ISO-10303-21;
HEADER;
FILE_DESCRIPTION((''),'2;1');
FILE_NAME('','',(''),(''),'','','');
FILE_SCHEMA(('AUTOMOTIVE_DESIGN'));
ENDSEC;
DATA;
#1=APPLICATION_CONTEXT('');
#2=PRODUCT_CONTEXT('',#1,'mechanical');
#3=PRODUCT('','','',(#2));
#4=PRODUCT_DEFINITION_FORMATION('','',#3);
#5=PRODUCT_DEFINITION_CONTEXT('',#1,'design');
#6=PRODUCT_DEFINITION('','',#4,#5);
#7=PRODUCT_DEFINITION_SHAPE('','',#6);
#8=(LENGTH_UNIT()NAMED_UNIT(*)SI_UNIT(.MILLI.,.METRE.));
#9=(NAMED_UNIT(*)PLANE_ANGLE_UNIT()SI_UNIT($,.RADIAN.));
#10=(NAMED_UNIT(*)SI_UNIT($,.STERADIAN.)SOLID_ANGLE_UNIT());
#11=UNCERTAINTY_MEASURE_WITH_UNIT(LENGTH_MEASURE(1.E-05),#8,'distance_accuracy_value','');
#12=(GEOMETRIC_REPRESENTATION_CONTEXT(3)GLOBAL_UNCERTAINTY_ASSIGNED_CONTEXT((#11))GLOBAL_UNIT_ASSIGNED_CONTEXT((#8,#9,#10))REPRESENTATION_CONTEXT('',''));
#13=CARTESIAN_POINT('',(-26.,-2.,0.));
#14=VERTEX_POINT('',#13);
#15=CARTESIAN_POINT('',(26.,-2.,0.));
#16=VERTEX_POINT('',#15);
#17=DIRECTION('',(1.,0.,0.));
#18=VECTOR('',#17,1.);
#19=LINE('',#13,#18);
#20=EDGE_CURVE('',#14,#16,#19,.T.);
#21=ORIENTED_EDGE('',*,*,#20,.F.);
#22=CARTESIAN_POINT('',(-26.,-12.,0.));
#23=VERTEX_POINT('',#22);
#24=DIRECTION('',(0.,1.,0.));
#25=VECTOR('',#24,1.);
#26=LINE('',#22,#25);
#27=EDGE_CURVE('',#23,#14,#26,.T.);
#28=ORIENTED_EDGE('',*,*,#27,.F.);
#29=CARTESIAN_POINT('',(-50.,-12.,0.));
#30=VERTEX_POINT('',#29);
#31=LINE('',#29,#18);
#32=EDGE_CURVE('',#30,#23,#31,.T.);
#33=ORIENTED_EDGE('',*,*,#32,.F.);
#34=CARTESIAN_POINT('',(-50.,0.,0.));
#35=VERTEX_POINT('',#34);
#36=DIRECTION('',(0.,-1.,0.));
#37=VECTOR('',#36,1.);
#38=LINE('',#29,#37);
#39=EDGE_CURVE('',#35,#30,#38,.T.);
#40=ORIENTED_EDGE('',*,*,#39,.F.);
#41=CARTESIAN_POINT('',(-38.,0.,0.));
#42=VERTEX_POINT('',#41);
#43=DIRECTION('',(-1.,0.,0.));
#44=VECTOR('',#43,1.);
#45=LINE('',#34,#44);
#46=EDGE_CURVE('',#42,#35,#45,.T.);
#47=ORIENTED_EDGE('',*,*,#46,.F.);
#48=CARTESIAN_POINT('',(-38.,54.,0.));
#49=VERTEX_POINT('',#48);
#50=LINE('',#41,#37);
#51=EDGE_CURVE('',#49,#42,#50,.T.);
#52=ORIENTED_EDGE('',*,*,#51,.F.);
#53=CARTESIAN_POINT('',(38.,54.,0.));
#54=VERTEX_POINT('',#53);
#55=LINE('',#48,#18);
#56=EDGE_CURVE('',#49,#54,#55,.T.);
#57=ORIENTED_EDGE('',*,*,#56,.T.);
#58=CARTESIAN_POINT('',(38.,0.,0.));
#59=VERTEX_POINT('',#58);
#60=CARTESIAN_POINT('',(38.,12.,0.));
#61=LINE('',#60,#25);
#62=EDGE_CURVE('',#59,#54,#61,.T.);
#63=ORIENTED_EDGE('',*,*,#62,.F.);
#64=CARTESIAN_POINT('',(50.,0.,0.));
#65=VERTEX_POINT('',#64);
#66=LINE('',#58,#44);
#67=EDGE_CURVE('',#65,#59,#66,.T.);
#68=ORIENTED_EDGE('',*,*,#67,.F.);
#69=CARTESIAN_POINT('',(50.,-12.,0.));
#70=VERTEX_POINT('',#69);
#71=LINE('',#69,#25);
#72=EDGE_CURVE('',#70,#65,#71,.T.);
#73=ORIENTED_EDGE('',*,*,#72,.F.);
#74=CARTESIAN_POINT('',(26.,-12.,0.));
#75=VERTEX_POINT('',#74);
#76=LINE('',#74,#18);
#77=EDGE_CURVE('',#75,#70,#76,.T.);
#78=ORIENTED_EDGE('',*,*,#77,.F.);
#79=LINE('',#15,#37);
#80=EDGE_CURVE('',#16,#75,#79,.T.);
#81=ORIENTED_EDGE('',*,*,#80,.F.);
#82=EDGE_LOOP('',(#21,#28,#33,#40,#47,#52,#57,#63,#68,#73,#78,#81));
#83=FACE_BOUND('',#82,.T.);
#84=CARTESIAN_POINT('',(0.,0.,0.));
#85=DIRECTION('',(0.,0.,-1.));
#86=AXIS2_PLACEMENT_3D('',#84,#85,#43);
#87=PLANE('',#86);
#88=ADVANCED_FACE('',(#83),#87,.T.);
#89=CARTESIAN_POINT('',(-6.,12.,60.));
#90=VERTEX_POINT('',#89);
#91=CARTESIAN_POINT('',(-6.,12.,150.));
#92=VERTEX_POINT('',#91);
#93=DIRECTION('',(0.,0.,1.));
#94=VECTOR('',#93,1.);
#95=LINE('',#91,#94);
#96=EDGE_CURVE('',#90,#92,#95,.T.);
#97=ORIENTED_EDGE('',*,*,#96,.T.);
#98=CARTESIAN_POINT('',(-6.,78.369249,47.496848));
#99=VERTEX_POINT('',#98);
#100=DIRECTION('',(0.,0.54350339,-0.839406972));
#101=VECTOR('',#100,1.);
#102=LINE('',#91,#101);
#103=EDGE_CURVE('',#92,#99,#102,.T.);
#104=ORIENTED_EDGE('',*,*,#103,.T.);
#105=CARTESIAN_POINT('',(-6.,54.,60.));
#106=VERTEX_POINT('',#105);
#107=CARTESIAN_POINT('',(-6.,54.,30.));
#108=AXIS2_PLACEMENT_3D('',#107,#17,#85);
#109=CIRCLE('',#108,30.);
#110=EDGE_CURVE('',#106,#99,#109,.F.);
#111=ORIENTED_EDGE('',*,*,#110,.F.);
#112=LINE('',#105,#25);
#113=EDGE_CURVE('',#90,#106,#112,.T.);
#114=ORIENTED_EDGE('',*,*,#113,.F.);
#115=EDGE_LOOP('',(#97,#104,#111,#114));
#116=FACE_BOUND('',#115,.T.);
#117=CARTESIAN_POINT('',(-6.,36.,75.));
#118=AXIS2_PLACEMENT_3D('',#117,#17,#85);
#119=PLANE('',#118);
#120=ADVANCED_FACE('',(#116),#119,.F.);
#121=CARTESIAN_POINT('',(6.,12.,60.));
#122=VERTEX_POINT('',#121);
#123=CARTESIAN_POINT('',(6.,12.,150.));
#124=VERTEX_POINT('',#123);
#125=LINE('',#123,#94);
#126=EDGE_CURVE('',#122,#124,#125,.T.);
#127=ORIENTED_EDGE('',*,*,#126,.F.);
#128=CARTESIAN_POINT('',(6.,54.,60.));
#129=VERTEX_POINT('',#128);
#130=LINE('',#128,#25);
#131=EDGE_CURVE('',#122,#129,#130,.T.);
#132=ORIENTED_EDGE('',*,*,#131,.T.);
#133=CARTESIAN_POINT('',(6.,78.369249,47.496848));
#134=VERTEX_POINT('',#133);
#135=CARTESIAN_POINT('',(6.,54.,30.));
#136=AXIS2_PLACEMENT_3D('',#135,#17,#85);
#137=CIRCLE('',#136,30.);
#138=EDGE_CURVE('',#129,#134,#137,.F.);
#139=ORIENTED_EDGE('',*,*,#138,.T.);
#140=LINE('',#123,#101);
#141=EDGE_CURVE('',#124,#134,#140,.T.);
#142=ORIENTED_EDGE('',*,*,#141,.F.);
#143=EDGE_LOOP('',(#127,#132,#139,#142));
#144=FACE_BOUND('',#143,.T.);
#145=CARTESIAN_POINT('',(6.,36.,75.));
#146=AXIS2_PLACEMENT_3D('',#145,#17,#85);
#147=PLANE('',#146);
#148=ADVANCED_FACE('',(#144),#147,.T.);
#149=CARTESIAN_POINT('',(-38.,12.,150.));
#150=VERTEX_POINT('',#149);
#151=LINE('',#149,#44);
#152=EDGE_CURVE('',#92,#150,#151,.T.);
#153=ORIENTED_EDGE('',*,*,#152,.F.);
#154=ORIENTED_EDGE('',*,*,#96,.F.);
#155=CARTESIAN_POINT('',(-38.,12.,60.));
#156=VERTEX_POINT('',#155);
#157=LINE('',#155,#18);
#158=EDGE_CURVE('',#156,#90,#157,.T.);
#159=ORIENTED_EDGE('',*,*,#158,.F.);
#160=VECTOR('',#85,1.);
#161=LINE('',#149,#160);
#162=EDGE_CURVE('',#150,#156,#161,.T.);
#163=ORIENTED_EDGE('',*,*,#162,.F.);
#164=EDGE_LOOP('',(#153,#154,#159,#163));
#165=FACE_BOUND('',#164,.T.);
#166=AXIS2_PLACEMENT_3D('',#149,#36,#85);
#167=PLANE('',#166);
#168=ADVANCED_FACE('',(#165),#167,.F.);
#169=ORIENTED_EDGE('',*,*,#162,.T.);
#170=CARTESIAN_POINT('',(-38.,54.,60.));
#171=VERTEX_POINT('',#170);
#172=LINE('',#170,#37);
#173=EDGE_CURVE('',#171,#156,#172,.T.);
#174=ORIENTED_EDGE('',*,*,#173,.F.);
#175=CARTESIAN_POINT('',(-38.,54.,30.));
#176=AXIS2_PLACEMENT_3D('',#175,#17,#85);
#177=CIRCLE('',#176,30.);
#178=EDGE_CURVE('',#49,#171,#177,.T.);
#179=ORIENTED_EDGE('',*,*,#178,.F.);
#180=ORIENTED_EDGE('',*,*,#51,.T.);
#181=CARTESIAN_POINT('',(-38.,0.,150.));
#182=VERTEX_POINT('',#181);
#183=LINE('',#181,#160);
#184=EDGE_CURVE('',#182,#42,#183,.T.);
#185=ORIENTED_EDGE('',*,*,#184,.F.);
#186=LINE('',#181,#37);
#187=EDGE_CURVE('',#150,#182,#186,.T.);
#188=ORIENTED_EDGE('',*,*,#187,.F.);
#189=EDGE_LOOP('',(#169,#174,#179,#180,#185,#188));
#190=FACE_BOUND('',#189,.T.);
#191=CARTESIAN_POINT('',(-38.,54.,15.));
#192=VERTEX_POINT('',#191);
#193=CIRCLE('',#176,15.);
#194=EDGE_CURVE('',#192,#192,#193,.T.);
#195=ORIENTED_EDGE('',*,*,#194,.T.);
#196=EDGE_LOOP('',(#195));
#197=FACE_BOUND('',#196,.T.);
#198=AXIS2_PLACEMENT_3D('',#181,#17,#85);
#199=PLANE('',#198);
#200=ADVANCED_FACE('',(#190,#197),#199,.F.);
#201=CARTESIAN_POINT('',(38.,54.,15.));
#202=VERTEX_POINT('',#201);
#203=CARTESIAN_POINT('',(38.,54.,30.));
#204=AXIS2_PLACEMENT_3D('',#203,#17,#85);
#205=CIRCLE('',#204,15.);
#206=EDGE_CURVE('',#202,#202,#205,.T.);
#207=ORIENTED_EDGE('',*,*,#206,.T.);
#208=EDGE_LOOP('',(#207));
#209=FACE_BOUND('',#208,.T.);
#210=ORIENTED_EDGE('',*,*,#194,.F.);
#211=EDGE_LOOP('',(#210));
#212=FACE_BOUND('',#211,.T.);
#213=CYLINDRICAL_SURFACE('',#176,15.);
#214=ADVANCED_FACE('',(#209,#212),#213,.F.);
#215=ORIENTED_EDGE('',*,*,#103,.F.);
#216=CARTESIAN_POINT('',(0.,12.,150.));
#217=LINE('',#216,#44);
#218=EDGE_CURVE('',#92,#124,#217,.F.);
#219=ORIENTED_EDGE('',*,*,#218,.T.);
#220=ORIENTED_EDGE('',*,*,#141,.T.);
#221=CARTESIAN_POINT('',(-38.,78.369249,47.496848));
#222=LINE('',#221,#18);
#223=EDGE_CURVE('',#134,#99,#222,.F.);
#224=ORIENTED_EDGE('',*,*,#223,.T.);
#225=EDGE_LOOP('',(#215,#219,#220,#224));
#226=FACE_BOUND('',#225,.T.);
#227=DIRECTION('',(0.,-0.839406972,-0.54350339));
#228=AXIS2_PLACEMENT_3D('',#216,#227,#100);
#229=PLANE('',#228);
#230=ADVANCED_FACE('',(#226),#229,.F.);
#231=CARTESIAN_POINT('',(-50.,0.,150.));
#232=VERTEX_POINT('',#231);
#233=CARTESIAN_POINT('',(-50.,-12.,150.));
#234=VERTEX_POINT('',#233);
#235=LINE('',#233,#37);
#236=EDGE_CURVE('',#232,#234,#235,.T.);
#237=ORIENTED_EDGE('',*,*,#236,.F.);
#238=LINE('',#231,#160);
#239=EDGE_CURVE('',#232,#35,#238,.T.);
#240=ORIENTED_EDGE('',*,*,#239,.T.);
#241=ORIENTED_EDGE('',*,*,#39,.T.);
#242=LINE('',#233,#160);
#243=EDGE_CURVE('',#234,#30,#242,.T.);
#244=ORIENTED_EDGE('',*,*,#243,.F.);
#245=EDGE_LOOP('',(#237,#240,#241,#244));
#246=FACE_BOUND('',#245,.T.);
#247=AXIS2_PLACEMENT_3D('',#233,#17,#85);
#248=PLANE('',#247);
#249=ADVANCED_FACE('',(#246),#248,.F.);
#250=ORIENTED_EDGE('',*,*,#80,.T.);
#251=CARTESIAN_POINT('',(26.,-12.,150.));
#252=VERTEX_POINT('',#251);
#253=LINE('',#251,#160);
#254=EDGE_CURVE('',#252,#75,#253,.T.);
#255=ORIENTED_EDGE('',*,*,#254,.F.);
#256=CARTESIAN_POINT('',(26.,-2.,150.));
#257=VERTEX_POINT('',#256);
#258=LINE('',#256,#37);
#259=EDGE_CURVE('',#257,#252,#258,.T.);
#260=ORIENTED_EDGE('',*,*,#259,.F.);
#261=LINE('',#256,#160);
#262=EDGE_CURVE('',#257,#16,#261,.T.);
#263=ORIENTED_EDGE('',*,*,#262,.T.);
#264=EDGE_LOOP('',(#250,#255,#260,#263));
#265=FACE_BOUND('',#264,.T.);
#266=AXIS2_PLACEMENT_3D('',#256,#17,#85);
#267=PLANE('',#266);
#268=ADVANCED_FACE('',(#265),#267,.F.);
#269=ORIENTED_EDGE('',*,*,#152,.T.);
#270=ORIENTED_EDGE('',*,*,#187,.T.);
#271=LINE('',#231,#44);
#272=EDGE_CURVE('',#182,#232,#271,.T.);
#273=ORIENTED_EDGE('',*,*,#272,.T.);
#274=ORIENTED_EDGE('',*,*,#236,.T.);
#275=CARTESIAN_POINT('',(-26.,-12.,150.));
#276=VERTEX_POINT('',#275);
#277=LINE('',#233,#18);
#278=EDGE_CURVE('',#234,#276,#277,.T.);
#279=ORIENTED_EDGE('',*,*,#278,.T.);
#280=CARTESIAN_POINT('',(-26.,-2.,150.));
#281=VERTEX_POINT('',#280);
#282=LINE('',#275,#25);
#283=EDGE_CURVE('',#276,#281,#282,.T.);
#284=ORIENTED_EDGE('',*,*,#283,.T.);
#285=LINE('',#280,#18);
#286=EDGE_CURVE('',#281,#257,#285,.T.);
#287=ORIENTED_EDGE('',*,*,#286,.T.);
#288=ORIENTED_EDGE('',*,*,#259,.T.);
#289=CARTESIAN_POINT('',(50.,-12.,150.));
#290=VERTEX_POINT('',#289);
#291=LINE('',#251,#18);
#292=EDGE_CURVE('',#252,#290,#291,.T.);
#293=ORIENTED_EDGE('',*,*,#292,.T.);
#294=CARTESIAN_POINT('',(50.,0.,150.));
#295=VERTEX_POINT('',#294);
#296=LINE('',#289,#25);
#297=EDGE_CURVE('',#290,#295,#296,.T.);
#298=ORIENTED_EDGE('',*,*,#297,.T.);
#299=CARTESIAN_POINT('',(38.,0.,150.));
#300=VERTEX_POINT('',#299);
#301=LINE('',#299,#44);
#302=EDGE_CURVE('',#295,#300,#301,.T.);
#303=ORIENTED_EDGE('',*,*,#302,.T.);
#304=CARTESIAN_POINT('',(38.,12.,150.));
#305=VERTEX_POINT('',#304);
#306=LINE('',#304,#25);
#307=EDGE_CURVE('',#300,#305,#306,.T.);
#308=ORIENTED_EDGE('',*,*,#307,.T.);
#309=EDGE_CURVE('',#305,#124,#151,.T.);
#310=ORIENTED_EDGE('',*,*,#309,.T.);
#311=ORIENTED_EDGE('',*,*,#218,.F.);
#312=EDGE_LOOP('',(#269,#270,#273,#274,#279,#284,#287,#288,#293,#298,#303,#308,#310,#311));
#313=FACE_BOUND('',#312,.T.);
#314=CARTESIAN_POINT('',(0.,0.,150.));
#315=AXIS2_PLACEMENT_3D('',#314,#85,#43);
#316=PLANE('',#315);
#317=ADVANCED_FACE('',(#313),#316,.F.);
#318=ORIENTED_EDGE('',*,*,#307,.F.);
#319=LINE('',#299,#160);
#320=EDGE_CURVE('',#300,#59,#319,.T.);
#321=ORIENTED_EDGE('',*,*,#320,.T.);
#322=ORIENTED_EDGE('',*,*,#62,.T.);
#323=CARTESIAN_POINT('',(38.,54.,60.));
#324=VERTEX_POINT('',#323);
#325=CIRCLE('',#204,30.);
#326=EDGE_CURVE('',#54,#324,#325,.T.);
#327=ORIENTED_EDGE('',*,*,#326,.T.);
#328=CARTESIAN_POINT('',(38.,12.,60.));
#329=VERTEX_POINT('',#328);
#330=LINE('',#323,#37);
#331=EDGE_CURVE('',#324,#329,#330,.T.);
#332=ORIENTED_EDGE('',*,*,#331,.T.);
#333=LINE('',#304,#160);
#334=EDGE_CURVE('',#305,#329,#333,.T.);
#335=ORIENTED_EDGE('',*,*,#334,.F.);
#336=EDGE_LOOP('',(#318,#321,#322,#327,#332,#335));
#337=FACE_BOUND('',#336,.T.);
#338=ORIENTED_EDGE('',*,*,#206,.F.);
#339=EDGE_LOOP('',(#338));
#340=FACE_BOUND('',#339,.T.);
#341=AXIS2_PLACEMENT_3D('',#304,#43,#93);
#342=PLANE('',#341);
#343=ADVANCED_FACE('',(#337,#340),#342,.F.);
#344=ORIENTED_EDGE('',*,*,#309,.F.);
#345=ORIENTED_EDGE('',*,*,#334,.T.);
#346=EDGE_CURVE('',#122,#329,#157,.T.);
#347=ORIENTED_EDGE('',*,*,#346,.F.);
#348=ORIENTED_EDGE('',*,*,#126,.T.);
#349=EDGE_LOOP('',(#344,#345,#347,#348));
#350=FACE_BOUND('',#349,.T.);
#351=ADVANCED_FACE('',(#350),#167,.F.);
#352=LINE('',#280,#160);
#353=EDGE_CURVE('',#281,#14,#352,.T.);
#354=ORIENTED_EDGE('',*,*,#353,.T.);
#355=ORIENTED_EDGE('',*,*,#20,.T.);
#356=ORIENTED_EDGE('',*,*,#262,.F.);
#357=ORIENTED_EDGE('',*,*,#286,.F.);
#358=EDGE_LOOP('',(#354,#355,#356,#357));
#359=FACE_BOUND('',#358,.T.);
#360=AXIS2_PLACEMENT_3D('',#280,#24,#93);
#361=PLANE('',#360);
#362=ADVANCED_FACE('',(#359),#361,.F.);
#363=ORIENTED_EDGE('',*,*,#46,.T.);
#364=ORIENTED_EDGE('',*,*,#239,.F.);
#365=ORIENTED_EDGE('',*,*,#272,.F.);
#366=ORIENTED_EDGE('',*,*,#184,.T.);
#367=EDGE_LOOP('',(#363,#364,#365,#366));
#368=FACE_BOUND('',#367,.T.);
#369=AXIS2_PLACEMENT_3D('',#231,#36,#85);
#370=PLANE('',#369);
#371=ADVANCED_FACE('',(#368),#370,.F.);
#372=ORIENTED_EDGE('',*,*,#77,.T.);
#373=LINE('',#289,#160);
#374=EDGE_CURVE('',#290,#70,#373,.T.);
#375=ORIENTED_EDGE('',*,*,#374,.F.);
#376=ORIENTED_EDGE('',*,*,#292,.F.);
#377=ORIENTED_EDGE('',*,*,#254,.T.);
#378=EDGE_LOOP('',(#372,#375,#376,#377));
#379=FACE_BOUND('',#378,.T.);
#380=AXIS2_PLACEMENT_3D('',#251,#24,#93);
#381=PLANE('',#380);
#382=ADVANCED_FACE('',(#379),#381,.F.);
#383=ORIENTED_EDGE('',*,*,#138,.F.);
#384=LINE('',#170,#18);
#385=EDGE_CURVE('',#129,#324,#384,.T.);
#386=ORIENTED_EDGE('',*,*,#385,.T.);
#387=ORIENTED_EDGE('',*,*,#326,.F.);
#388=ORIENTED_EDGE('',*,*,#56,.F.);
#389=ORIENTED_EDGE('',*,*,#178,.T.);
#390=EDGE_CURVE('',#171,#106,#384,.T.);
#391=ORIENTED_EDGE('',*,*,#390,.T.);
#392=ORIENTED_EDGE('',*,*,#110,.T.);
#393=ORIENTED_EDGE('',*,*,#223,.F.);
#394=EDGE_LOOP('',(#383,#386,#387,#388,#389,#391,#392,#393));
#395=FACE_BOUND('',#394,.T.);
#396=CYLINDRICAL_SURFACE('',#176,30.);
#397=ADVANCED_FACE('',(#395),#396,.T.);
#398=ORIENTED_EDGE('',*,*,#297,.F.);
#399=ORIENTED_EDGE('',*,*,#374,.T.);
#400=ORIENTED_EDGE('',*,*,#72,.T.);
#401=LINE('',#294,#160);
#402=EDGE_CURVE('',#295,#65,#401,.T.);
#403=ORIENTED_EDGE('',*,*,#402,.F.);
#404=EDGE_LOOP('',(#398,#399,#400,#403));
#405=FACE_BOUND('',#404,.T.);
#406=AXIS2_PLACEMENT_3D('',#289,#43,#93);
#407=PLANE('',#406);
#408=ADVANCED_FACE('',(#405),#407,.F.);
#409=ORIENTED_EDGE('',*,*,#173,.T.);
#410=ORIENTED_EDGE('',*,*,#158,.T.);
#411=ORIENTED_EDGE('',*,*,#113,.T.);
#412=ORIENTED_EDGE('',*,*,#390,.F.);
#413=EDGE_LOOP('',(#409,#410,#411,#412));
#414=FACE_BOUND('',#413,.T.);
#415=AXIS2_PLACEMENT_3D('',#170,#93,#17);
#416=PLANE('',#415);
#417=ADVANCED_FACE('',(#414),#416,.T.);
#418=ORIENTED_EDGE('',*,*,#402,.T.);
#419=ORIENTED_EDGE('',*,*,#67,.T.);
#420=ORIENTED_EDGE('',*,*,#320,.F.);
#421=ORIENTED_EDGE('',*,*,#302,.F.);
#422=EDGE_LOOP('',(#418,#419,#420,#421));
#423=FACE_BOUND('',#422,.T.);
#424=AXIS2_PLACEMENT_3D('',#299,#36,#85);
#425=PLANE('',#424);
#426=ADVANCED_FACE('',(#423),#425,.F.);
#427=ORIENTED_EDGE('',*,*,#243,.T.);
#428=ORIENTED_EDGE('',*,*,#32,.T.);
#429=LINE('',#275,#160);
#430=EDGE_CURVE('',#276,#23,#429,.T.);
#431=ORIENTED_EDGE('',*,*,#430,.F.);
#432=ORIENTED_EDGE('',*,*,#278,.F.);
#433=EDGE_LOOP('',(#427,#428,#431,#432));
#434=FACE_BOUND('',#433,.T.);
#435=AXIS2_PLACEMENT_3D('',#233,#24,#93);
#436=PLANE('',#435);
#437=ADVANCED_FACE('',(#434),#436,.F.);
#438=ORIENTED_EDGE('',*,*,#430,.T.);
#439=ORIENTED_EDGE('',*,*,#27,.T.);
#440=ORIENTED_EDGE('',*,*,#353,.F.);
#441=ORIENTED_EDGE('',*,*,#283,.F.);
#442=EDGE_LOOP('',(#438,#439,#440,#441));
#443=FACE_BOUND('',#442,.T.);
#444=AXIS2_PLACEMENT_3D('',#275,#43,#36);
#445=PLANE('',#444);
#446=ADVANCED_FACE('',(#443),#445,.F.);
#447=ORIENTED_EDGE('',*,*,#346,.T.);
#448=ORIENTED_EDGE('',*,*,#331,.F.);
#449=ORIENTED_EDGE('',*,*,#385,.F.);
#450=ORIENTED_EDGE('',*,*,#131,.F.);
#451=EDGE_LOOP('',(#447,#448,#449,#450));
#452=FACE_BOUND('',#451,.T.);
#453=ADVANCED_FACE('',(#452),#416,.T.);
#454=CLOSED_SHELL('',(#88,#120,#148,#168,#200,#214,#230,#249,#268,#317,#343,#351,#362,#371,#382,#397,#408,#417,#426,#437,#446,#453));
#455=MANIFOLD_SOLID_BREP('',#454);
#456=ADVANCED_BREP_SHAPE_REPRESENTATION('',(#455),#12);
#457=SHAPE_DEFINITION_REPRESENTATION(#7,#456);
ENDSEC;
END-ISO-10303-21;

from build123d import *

# Parameters (mm, degrees)
BOSS_EXTRUDE1_DEPTH = 150
SKETCH4_R           = 15
BOSS_EXTRUDE2_DEPTH = 38
RIB1_REACH          = 181.042
SKETCH5_WALL_W      = 482.19756146
SKETCH5_WALL_H      = 12


with BuildPart() as part:
    # Sketch1 → Boss-Extrude1 (new body)
    with BuildSketch(Plane.XY):
        Polygon((-50, 0), (-38, 0), (-38, 12), (38, 12), (38, 0), (50, 0), (50, -12), (26, -12), (26, -2), (-26, -2), (-26, -12), (-50, -12), align=None)
    extrude(amount=BOSS_EXTRUDE1_DEPTH)

    # Sketch4 → Boss-Extrude2 (add, symmetric)
    with BuildSketch(Plane(origin=(0, 0, 0), x_dir=(0, 0, -1), z_dir=(1, 0, 0))):
        with BuildLine():
            Line((0, 12), (0, 54))
            ThreePointArc((0, 54), (-30, 84), (-60, 54))
            Line((-60, 54), (-60, 12))
            Line((-60, 12), (0, 12))
        make_face()
        with Locations((-30, 54)):
            Circle(SKETCH4_R, mode=Mode.SUBTRACT)
    extrude(amount=BOSS_EXTRUDE2_DEPTH, both=True)

    # Sketch5 wall → Rib1 (add, up to next)
    with BuildSketch(Plane(origin=(0, 45.18462462, 98.748424022), x_dir=(0, 0.54350338987, -0.839406972332), z_dir=(0, 0.839406972332, 0.54350338987)), mode=Mode.PRIVATE) as rib1_sk1:
        Rectangle(SKETCH5_WALL_W, SKETCH5_WALL_H)
    rib1_tool1 = extrude(rib1_sk1.sketch, amount=-RIB1_REACH, mode=Mode.PRIVATE) - part.part
    add(rib1_tool1.solids().sort_by_distance((0, 45.18462462, 98.748424022))[0])


solid = part.part
